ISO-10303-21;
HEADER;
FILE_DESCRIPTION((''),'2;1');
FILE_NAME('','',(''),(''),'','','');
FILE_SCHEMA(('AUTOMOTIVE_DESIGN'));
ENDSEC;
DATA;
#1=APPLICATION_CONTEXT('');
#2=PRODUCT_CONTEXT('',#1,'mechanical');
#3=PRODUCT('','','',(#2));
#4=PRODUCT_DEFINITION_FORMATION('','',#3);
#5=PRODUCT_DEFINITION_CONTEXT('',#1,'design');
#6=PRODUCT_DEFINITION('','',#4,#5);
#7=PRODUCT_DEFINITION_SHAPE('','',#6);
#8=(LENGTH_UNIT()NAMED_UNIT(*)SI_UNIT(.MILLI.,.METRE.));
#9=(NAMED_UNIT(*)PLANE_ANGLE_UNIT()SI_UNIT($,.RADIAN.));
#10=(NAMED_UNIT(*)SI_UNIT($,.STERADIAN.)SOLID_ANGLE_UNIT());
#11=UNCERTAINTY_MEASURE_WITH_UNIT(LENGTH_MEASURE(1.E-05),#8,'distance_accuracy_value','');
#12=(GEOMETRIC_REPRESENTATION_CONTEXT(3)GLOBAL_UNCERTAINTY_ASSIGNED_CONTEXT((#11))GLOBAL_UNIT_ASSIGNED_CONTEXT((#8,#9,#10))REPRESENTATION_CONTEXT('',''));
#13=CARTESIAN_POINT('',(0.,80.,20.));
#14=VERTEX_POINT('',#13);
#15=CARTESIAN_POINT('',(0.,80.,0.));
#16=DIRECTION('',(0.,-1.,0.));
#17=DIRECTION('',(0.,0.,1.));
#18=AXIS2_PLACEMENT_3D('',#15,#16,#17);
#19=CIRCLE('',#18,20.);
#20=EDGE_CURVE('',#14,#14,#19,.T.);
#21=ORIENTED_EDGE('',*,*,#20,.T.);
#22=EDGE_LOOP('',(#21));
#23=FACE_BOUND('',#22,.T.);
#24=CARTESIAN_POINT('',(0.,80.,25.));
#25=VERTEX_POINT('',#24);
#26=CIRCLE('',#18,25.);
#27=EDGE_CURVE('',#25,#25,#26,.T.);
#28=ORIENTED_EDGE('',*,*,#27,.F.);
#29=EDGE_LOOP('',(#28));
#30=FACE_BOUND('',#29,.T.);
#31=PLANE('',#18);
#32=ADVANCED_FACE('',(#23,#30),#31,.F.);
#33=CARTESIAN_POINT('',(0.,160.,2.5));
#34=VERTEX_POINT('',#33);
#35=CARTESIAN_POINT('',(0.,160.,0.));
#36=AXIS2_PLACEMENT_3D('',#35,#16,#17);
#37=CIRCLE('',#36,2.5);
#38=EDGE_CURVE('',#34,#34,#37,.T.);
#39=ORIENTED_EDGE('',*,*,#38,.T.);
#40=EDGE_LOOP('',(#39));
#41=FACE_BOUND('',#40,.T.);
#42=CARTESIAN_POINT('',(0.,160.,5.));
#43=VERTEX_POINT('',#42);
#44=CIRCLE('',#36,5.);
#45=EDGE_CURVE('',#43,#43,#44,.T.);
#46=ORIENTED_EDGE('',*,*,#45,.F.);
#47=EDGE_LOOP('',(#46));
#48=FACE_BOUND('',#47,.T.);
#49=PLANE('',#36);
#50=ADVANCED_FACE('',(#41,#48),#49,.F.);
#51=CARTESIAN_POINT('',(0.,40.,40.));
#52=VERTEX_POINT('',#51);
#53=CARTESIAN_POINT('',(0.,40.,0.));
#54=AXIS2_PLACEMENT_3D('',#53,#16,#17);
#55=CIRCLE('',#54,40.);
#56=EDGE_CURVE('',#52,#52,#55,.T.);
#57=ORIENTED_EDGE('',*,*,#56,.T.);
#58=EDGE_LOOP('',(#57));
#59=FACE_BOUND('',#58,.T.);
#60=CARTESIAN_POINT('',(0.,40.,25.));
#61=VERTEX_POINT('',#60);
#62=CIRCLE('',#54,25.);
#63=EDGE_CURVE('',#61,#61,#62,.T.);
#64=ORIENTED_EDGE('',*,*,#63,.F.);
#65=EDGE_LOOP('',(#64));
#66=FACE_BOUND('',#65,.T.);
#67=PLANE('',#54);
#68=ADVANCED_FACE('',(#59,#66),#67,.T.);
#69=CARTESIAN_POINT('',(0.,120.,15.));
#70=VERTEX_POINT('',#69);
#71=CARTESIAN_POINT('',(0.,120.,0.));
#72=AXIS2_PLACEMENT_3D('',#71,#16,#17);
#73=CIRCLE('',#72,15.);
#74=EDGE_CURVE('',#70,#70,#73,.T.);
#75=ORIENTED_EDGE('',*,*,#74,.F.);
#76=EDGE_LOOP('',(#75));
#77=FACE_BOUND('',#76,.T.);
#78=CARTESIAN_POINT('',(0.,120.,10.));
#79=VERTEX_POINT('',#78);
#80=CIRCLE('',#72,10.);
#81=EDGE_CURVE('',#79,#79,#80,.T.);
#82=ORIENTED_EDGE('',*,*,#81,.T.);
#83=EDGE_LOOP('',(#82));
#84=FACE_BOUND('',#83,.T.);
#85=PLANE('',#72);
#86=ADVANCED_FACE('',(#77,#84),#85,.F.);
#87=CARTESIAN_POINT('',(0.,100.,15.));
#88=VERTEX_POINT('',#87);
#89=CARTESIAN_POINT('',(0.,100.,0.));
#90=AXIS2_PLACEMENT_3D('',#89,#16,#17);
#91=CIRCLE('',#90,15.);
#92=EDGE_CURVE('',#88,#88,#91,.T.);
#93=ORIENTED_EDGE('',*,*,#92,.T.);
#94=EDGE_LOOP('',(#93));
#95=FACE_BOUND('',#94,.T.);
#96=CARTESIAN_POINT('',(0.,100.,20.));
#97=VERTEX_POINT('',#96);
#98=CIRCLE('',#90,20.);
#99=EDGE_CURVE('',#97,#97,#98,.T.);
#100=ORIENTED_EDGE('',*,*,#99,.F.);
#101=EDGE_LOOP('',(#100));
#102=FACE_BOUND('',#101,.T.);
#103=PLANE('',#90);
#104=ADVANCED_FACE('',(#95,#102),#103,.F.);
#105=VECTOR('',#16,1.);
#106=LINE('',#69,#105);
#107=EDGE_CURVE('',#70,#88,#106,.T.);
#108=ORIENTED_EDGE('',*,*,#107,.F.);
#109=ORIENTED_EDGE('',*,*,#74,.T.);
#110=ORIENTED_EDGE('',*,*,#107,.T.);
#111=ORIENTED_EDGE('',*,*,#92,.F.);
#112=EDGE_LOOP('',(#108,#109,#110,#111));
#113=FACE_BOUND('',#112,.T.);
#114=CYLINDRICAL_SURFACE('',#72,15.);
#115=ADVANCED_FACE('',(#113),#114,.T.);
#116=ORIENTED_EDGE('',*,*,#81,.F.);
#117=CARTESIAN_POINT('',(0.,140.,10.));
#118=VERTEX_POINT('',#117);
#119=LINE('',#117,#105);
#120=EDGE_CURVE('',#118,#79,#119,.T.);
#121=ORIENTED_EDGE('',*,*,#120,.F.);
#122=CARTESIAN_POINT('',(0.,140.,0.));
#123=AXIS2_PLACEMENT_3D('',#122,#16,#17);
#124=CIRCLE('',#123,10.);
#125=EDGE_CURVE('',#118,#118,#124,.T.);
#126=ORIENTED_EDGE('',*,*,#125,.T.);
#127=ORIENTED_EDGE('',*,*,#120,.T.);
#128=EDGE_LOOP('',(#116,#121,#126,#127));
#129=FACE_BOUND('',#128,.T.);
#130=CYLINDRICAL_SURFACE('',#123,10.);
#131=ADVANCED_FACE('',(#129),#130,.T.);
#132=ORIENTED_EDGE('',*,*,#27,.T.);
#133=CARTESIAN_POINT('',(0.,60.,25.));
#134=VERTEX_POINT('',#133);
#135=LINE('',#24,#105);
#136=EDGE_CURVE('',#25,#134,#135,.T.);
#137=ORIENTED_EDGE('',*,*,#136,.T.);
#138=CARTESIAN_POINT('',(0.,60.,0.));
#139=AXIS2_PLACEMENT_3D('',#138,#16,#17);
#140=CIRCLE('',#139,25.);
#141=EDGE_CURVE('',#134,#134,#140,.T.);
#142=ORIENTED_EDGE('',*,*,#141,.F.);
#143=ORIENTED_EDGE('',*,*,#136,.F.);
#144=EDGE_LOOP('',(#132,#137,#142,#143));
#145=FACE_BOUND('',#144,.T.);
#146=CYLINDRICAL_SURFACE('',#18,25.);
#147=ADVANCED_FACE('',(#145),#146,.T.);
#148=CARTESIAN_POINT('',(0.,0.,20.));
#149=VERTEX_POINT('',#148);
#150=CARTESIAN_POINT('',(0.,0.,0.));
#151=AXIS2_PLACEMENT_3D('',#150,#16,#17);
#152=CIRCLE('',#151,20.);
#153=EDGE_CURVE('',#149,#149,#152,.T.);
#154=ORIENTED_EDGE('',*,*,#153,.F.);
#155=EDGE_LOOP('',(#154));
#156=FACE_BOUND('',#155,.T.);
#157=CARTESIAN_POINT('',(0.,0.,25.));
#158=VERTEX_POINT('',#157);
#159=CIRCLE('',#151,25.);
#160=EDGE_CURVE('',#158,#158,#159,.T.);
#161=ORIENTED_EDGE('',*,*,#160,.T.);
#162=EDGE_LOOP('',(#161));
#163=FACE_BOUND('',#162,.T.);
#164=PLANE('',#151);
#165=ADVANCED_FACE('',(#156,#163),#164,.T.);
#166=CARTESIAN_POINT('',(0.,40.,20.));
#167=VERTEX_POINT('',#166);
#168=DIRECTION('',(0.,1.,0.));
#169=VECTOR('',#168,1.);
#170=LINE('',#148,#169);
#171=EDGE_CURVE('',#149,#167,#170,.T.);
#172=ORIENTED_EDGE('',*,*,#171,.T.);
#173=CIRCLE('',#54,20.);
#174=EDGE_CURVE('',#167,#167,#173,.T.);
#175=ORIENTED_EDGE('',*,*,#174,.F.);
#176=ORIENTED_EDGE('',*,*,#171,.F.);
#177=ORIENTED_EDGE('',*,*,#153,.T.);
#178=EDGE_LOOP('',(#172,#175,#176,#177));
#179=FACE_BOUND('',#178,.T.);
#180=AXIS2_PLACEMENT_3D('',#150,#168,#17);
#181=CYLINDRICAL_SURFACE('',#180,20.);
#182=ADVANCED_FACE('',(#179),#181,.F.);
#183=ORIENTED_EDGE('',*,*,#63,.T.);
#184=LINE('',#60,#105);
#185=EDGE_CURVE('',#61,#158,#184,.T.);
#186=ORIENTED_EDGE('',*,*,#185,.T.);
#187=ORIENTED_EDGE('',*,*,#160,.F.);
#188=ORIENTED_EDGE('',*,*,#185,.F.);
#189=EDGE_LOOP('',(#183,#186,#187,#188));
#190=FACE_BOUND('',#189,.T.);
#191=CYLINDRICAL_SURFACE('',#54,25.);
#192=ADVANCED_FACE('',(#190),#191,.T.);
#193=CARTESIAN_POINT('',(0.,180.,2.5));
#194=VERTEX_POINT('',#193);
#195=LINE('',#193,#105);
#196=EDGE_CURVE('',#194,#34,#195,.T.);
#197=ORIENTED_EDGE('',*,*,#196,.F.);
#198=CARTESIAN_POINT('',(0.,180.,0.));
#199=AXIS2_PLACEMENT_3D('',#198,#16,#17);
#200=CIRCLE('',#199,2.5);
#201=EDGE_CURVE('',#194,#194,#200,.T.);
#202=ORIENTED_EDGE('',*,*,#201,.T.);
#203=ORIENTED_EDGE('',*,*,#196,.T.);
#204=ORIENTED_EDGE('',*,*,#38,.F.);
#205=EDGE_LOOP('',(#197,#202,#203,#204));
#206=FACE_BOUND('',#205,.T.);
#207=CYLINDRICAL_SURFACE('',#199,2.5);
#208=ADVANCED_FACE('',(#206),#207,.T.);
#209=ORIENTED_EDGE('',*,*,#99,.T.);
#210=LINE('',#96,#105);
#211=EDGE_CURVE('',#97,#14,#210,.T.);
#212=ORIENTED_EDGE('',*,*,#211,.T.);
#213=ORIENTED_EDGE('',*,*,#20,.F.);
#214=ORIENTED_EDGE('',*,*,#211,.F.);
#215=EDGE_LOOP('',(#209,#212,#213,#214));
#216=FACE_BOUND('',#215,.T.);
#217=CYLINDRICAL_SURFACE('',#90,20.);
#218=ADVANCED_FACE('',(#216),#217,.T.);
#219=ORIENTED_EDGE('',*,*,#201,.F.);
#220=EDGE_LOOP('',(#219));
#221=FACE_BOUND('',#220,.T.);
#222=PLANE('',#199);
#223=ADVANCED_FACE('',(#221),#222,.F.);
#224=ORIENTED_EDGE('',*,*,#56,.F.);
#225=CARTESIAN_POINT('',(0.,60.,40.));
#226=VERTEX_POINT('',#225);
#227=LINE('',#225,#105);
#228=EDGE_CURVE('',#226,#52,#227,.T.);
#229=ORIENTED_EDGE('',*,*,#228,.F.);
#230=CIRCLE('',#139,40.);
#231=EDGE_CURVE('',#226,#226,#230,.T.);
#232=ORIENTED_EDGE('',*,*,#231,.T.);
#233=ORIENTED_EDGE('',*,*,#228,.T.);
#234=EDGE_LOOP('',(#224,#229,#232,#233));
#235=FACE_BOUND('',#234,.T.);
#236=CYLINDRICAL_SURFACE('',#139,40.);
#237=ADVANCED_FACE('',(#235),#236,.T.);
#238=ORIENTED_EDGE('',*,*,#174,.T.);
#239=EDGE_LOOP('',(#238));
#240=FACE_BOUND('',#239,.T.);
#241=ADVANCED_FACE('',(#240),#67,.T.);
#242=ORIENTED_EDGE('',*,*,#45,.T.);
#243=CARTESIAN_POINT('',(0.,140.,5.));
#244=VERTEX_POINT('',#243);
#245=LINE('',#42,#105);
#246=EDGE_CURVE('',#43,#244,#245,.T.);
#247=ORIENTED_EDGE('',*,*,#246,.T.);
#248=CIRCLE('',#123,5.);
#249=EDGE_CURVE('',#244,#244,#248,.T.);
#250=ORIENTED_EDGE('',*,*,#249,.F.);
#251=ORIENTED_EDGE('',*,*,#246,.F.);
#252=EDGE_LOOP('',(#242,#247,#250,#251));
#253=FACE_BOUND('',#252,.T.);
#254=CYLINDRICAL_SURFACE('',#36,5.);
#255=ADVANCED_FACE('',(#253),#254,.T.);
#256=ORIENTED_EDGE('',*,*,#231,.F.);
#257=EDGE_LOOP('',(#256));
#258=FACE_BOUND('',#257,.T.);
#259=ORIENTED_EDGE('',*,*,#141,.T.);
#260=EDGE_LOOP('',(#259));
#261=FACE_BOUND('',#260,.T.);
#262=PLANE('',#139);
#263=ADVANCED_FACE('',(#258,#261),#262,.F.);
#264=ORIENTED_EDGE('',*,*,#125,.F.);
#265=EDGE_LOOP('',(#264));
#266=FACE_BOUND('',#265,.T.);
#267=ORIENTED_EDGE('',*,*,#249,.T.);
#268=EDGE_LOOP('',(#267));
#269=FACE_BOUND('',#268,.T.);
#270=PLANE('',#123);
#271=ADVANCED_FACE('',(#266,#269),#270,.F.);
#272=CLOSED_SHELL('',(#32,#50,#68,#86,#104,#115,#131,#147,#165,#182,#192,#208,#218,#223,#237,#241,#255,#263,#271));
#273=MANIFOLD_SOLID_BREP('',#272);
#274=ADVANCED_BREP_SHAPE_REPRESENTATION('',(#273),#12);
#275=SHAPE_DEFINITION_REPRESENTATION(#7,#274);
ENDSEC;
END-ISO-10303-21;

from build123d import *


with BuildPart() as f1:
    # F0 (on Right) → F1 (revolve)
    with BuildSketch(Plane.YZ):
        Polygon((0, 25), (0, 20), (40, 20), (40, 0), (180, 0), (180, 2.5), (160, 2.5), (160, 5), (140, 5), (140, 10), (120, 10), (120, 15), (100, 15), (100, 20), (80, 20), (80, 25), (60, 25), (60, 40), (40, 40), (40, 25), align=None)
    revolve(axis=Axis((0, 90, 0), (0, -1, 0)))


solid = f1.part
